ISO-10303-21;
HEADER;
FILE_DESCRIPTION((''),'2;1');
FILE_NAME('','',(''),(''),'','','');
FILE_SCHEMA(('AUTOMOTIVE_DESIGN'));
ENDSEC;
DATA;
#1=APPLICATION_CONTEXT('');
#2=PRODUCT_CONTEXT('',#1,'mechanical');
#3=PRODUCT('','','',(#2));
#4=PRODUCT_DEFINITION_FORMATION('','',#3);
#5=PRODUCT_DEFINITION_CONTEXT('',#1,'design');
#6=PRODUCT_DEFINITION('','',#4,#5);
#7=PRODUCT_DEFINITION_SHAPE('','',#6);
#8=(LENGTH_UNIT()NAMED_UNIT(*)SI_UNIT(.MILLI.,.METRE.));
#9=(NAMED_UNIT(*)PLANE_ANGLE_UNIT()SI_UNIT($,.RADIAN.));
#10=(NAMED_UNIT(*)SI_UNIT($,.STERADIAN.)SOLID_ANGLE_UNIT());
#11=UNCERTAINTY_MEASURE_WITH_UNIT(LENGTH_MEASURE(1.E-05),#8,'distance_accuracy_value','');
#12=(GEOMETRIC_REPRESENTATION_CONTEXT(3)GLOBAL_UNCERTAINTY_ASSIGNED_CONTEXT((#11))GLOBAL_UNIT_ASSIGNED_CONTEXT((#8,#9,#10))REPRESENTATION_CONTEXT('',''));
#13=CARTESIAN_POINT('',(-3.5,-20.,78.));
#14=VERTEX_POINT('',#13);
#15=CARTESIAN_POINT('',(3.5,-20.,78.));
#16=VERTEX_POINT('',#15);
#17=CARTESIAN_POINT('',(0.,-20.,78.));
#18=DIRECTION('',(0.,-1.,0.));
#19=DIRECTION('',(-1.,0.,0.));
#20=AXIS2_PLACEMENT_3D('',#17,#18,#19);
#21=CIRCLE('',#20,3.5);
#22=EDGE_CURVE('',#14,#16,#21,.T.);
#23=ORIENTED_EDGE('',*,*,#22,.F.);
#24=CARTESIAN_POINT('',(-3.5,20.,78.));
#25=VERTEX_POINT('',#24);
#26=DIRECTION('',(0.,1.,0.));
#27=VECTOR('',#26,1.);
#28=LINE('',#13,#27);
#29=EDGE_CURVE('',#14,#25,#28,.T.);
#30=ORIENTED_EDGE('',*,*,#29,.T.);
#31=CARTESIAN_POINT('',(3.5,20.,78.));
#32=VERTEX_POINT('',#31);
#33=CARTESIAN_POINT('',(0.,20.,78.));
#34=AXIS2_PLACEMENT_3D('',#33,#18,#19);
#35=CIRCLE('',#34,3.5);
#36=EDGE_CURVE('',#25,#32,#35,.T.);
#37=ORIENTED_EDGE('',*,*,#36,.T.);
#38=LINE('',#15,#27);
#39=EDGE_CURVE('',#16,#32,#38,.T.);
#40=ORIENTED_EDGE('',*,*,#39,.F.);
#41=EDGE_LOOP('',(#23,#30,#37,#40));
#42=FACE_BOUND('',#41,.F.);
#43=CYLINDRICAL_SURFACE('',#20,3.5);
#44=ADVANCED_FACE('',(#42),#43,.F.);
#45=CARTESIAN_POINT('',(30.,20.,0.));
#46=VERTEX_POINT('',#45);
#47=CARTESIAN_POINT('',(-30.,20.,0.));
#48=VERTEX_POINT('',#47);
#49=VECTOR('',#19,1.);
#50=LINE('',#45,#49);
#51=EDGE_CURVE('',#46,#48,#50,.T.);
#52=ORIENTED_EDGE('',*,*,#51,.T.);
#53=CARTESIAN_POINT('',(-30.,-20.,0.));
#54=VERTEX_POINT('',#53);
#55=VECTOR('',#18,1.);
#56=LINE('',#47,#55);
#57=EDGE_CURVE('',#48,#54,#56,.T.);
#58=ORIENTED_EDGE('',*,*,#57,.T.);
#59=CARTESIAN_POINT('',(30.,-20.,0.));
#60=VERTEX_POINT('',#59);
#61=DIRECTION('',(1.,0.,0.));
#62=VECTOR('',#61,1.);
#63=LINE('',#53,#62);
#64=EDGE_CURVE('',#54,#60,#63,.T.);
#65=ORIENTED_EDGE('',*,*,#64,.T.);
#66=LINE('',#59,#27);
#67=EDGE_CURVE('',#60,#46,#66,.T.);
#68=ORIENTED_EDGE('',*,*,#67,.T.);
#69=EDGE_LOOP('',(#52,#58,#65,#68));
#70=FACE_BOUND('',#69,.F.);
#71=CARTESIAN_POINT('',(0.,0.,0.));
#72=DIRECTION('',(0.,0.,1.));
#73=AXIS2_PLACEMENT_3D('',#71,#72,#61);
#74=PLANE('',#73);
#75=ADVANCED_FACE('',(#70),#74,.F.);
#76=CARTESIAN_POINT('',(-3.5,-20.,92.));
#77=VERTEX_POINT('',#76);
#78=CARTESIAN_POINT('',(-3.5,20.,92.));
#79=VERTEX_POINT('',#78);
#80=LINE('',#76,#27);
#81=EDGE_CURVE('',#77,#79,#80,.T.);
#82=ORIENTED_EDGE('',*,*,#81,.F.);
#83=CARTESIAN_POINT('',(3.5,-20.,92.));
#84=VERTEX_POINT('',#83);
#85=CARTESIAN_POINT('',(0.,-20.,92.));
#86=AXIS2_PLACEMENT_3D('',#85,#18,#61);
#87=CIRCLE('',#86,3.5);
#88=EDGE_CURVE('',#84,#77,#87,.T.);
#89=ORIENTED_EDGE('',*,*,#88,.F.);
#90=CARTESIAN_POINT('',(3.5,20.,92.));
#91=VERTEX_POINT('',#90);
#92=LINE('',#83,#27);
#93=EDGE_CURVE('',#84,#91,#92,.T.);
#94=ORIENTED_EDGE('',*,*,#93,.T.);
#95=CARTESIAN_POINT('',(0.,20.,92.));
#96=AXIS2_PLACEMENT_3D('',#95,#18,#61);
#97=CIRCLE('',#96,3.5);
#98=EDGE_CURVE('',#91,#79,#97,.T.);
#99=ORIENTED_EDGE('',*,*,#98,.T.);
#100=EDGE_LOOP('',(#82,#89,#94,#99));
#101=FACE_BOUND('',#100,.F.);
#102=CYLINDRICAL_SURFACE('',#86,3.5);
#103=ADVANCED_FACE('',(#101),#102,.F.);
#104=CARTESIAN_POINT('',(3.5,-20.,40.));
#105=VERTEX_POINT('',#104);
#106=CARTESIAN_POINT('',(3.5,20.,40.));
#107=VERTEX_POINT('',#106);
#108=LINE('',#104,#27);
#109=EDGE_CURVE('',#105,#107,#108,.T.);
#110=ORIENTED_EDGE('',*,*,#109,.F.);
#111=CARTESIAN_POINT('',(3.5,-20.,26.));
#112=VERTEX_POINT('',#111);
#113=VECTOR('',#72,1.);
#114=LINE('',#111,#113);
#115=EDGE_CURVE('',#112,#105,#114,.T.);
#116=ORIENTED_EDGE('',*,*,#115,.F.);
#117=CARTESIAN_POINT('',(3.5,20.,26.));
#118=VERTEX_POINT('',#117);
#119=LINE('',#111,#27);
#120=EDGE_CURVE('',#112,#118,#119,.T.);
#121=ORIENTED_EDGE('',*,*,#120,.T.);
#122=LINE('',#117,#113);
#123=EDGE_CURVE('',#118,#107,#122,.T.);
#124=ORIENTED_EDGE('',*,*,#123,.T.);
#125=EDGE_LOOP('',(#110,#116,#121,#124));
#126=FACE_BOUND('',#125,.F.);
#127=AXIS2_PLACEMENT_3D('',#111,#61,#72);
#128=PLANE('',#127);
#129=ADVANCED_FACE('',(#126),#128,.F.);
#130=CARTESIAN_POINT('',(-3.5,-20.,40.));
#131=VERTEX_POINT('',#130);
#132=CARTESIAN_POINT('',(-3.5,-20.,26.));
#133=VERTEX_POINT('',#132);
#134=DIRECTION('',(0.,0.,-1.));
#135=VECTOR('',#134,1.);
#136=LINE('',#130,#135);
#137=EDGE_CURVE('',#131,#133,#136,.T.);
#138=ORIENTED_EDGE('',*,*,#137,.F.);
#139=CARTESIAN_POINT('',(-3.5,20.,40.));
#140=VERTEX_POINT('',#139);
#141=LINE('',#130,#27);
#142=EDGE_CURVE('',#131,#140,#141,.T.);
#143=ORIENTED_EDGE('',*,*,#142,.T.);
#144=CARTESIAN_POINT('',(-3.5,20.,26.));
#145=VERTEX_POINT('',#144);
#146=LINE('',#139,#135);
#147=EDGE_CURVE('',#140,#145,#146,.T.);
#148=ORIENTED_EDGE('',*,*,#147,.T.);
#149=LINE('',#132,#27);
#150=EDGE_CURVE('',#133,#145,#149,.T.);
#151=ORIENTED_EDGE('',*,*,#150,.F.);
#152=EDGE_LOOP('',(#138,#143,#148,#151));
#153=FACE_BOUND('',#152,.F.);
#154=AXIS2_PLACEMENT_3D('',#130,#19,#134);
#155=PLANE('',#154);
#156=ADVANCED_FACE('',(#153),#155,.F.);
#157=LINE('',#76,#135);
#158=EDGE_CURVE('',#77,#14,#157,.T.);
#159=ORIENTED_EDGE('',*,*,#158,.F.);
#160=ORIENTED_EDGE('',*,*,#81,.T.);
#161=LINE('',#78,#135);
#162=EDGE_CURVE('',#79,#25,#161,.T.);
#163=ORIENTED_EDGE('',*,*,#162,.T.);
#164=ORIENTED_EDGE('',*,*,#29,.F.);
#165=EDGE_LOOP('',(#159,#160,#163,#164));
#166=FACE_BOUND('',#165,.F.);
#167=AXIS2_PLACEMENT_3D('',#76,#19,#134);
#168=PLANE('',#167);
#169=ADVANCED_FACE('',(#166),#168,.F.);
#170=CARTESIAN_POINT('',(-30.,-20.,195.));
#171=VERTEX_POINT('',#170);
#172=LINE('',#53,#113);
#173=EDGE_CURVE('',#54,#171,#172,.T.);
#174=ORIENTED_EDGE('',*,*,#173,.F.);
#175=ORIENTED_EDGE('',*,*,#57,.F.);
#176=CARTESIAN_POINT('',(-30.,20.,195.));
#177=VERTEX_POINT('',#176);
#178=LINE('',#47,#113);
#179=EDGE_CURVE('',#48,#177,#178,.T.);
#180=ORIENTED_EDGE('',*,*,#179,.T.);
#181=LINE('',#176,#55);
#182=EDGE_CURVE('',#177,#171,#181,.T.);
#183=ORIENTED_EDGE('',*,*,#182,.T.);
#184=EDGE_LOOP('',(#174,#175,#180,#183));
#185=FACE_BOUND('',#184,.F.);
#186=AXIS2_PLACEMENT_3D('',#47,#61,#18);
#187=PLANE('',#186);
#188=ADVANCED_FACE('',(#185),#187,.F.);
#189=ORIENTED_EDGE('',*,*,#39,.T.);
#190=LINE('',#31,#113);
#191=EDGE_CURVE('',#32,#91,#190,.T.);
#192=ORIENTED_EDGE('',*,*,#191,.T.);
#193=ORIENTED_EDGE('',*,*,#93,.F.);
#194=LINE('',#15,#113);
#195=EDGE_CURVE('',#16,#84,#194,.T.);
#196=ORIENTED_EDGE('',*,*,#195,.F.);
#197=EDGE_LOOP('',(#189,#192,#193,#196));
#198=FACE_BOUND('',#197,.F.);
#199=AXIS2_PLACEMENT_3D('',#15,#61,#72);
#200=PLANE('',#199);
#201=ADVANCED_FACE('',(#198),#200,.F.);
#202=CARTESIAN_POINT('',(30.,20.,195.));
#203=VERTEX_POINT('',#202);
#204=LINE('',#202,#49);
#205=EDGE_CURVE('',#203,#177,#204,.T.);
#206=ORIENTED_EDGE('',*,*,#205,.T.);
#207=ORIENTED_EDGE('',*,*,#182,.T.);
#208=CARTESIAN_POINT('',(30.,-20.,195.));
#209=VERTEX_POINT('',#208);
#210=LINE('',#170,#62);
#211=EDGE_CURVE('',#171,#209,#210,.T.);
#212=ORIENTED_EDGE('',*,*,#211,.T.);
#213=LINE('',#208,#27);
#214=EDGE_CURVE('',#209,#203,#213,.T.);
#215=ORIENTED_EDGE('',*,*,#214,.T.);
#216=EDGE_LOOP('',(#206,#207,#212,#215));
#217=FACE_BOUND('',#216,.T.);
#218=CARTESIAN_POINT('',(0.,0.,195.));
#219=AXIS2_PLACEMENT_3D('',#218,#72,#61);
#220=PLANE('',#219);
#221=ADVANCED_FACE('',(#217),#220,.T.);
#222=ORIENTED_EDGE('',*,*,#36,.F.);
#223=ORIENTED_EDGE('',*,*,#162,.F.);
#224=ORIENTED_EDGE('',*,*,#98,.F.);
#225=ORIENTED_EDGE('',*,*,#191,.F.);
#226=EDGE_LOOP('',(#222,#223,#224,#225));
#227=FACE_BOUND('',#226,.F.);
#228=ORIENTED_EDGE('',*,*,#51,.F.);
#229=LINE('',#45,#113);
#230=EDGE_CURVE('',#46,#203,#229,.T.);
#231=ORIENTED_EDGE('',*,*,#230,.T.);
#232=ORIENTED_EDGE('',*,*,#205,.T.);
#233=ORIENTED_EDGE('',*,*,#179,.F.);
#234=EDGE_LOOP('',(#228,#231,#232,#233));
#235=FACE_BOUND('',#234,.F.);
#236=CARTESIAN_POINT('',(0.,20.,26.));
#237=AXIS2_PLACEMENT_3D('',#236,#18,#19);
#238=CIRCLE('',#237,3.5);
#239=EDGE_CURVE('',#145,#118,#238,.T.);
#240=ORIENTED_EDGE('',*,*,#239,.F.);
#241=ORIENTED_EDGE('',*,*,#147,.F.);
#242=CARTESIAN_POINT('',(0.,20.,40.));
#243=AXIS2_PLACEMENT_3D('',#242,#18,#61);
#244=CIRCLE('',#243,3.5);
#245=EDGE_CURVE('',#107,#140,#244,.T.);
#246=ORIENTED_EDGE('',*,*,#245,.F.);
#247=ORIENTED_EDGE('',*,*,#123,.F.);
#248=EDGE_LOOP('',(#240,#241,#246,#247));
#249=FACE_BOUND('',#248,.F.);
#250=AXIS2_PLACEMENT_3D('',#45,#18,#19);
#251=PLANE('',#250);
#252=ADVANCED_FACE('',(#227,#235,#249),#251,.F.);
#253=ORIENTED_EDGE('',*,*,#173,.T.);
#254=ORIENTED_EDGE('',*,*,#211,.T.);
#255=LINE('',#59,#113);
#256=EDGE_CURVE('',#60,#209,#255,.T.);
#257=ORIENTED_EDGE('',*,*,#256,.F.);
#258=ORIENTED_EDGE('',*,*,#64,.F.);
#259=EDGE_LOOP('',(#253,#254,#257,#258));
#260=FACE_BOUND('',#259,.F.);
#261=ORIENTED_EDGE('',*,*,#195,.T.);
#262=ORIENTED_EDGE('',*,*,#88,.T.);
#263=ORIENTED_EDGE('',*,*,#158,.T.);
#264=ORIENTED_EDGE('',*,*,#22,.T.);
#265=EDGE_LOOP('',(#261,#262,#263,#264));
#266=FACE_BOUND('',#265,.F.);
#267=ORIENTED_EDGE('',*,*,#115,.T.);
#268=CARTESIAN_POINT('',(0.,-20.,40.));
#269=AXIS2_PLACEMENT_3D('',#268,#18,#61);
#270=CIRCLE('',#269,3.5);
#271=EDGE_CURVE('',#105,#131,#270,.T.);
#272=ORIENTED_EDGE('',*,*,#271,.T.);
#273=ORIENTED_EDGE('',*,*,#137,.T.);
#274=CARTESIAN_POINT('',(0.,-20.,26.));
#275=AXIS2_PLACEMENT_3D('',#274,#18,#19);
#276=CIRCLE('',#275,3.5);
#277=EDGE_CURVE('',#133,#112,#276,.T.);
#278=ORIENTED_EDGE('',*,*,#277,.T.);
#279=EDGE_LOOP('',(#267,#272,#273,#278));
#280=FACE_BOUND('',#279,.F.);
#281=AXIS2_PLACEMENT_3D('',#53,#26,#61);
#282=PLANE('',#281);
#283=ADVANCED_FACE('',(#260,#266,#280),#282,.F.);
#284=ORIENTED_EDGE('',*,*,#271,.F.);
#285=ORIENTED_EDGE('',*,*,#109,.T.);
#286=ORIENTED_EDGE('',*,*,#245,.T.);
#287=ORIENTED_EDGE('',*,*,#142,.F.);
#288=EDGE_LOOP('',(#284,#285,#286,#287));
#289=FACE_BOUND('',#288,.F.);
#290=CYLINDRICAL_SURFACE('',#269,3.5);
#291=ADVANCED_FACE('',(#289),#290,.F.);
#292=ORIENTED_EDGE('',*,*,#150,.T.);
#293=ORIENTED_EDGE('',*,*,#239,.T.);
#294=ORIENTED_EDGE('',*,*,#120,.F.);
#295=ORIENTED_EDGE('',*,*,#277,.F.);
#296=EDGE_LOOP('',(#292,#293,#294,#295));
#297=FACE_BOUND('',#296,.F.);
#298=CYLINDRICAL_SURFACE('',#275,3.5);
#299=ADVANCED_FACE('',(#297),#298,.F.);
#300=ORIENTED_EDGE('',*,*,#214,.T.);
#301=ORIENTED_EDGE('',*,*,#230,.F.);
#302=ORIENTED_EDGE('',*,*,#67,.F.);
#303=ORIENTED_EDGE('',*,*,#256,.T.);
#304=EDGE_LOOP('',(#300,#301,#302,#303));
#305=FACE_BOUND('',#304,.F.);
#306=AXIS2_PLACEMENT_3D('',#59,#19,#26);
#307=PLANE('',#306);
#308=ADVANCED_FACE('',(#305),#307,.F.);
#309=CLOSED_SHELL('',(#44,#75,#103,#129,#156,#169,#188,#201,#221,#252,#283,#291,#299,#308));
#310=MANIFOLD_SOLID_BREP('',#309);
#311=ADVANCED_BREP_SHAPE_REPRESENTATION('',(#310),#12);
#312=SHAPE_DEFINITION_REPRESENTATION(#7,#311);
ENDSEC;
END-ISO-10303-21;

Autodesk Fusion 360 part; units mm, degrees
sketch "Skizze1" plane through (0, 0, 0) normal (0, 0, 1) x (1, 0, 0)
  line L0 (30, 20) -> (-30, 20)
  line L1 (-30, 20) -> (-30, -20)
  line L2 (-30, -20) -> (30, -20)
  line L3 (30, -20) -> (30, 20)
  line L4 (30, 20) -> (-30, -20) construction
  line L5 (-30, 20) -> (30, -20) construction
  dimension "d2" = 60
  dimension "d3" = 40
extrude "Extrusion1" add sketch "Skizze1" along normal blind 195
sketch "Skizze3" plane through (0, -20, 0) normal (0, -1, 0) x (1, 0, 0)
  line L0 (-30, 0) -> (30, 0)
  line L1 (30, 0) -> (30, 195)
  line L2 (30, 195) -> (-30, 195)
  line L3 (-30, 195) -> (-30, 0)
  line L4 (-3.5, 40) -> (-3.5, 26)
  arc A0 (-3.5, 26) -> (3.5, 26) centre (0, 26) ccw
  line L5 (3.5, 26) -> (3.5, 40)
  arc A1 (3.5, 40) -> (-3.5, 40) centre (0, 40) ccw
  line L6 (0, 40) -> (0, 26) construction
  line L7 (-3.5, 92) -> (-3.5, 78)
  arc A2 (-3.5, 78) -> (3.5, 78) centre (0, 78) ccw
  line L8 (3.5, 78) -> (3.5, 92)
  arc A3 (3.5, 92) -> (-3.5, 92) centre (0, 92) ccw
  line L9 (0, 92) -> (0, 78) construction
  point P0 (0, 195)
  dimension "d6" = 14
  dimension "d7" = 7
  dimension "d8" = 14
  dimension "d9" = 7
extrude "Extrusion2" cut sketch "Skizze3" against normal blind 40 contours L4 A0 L5 A1 | L7 A2 L8 A3
